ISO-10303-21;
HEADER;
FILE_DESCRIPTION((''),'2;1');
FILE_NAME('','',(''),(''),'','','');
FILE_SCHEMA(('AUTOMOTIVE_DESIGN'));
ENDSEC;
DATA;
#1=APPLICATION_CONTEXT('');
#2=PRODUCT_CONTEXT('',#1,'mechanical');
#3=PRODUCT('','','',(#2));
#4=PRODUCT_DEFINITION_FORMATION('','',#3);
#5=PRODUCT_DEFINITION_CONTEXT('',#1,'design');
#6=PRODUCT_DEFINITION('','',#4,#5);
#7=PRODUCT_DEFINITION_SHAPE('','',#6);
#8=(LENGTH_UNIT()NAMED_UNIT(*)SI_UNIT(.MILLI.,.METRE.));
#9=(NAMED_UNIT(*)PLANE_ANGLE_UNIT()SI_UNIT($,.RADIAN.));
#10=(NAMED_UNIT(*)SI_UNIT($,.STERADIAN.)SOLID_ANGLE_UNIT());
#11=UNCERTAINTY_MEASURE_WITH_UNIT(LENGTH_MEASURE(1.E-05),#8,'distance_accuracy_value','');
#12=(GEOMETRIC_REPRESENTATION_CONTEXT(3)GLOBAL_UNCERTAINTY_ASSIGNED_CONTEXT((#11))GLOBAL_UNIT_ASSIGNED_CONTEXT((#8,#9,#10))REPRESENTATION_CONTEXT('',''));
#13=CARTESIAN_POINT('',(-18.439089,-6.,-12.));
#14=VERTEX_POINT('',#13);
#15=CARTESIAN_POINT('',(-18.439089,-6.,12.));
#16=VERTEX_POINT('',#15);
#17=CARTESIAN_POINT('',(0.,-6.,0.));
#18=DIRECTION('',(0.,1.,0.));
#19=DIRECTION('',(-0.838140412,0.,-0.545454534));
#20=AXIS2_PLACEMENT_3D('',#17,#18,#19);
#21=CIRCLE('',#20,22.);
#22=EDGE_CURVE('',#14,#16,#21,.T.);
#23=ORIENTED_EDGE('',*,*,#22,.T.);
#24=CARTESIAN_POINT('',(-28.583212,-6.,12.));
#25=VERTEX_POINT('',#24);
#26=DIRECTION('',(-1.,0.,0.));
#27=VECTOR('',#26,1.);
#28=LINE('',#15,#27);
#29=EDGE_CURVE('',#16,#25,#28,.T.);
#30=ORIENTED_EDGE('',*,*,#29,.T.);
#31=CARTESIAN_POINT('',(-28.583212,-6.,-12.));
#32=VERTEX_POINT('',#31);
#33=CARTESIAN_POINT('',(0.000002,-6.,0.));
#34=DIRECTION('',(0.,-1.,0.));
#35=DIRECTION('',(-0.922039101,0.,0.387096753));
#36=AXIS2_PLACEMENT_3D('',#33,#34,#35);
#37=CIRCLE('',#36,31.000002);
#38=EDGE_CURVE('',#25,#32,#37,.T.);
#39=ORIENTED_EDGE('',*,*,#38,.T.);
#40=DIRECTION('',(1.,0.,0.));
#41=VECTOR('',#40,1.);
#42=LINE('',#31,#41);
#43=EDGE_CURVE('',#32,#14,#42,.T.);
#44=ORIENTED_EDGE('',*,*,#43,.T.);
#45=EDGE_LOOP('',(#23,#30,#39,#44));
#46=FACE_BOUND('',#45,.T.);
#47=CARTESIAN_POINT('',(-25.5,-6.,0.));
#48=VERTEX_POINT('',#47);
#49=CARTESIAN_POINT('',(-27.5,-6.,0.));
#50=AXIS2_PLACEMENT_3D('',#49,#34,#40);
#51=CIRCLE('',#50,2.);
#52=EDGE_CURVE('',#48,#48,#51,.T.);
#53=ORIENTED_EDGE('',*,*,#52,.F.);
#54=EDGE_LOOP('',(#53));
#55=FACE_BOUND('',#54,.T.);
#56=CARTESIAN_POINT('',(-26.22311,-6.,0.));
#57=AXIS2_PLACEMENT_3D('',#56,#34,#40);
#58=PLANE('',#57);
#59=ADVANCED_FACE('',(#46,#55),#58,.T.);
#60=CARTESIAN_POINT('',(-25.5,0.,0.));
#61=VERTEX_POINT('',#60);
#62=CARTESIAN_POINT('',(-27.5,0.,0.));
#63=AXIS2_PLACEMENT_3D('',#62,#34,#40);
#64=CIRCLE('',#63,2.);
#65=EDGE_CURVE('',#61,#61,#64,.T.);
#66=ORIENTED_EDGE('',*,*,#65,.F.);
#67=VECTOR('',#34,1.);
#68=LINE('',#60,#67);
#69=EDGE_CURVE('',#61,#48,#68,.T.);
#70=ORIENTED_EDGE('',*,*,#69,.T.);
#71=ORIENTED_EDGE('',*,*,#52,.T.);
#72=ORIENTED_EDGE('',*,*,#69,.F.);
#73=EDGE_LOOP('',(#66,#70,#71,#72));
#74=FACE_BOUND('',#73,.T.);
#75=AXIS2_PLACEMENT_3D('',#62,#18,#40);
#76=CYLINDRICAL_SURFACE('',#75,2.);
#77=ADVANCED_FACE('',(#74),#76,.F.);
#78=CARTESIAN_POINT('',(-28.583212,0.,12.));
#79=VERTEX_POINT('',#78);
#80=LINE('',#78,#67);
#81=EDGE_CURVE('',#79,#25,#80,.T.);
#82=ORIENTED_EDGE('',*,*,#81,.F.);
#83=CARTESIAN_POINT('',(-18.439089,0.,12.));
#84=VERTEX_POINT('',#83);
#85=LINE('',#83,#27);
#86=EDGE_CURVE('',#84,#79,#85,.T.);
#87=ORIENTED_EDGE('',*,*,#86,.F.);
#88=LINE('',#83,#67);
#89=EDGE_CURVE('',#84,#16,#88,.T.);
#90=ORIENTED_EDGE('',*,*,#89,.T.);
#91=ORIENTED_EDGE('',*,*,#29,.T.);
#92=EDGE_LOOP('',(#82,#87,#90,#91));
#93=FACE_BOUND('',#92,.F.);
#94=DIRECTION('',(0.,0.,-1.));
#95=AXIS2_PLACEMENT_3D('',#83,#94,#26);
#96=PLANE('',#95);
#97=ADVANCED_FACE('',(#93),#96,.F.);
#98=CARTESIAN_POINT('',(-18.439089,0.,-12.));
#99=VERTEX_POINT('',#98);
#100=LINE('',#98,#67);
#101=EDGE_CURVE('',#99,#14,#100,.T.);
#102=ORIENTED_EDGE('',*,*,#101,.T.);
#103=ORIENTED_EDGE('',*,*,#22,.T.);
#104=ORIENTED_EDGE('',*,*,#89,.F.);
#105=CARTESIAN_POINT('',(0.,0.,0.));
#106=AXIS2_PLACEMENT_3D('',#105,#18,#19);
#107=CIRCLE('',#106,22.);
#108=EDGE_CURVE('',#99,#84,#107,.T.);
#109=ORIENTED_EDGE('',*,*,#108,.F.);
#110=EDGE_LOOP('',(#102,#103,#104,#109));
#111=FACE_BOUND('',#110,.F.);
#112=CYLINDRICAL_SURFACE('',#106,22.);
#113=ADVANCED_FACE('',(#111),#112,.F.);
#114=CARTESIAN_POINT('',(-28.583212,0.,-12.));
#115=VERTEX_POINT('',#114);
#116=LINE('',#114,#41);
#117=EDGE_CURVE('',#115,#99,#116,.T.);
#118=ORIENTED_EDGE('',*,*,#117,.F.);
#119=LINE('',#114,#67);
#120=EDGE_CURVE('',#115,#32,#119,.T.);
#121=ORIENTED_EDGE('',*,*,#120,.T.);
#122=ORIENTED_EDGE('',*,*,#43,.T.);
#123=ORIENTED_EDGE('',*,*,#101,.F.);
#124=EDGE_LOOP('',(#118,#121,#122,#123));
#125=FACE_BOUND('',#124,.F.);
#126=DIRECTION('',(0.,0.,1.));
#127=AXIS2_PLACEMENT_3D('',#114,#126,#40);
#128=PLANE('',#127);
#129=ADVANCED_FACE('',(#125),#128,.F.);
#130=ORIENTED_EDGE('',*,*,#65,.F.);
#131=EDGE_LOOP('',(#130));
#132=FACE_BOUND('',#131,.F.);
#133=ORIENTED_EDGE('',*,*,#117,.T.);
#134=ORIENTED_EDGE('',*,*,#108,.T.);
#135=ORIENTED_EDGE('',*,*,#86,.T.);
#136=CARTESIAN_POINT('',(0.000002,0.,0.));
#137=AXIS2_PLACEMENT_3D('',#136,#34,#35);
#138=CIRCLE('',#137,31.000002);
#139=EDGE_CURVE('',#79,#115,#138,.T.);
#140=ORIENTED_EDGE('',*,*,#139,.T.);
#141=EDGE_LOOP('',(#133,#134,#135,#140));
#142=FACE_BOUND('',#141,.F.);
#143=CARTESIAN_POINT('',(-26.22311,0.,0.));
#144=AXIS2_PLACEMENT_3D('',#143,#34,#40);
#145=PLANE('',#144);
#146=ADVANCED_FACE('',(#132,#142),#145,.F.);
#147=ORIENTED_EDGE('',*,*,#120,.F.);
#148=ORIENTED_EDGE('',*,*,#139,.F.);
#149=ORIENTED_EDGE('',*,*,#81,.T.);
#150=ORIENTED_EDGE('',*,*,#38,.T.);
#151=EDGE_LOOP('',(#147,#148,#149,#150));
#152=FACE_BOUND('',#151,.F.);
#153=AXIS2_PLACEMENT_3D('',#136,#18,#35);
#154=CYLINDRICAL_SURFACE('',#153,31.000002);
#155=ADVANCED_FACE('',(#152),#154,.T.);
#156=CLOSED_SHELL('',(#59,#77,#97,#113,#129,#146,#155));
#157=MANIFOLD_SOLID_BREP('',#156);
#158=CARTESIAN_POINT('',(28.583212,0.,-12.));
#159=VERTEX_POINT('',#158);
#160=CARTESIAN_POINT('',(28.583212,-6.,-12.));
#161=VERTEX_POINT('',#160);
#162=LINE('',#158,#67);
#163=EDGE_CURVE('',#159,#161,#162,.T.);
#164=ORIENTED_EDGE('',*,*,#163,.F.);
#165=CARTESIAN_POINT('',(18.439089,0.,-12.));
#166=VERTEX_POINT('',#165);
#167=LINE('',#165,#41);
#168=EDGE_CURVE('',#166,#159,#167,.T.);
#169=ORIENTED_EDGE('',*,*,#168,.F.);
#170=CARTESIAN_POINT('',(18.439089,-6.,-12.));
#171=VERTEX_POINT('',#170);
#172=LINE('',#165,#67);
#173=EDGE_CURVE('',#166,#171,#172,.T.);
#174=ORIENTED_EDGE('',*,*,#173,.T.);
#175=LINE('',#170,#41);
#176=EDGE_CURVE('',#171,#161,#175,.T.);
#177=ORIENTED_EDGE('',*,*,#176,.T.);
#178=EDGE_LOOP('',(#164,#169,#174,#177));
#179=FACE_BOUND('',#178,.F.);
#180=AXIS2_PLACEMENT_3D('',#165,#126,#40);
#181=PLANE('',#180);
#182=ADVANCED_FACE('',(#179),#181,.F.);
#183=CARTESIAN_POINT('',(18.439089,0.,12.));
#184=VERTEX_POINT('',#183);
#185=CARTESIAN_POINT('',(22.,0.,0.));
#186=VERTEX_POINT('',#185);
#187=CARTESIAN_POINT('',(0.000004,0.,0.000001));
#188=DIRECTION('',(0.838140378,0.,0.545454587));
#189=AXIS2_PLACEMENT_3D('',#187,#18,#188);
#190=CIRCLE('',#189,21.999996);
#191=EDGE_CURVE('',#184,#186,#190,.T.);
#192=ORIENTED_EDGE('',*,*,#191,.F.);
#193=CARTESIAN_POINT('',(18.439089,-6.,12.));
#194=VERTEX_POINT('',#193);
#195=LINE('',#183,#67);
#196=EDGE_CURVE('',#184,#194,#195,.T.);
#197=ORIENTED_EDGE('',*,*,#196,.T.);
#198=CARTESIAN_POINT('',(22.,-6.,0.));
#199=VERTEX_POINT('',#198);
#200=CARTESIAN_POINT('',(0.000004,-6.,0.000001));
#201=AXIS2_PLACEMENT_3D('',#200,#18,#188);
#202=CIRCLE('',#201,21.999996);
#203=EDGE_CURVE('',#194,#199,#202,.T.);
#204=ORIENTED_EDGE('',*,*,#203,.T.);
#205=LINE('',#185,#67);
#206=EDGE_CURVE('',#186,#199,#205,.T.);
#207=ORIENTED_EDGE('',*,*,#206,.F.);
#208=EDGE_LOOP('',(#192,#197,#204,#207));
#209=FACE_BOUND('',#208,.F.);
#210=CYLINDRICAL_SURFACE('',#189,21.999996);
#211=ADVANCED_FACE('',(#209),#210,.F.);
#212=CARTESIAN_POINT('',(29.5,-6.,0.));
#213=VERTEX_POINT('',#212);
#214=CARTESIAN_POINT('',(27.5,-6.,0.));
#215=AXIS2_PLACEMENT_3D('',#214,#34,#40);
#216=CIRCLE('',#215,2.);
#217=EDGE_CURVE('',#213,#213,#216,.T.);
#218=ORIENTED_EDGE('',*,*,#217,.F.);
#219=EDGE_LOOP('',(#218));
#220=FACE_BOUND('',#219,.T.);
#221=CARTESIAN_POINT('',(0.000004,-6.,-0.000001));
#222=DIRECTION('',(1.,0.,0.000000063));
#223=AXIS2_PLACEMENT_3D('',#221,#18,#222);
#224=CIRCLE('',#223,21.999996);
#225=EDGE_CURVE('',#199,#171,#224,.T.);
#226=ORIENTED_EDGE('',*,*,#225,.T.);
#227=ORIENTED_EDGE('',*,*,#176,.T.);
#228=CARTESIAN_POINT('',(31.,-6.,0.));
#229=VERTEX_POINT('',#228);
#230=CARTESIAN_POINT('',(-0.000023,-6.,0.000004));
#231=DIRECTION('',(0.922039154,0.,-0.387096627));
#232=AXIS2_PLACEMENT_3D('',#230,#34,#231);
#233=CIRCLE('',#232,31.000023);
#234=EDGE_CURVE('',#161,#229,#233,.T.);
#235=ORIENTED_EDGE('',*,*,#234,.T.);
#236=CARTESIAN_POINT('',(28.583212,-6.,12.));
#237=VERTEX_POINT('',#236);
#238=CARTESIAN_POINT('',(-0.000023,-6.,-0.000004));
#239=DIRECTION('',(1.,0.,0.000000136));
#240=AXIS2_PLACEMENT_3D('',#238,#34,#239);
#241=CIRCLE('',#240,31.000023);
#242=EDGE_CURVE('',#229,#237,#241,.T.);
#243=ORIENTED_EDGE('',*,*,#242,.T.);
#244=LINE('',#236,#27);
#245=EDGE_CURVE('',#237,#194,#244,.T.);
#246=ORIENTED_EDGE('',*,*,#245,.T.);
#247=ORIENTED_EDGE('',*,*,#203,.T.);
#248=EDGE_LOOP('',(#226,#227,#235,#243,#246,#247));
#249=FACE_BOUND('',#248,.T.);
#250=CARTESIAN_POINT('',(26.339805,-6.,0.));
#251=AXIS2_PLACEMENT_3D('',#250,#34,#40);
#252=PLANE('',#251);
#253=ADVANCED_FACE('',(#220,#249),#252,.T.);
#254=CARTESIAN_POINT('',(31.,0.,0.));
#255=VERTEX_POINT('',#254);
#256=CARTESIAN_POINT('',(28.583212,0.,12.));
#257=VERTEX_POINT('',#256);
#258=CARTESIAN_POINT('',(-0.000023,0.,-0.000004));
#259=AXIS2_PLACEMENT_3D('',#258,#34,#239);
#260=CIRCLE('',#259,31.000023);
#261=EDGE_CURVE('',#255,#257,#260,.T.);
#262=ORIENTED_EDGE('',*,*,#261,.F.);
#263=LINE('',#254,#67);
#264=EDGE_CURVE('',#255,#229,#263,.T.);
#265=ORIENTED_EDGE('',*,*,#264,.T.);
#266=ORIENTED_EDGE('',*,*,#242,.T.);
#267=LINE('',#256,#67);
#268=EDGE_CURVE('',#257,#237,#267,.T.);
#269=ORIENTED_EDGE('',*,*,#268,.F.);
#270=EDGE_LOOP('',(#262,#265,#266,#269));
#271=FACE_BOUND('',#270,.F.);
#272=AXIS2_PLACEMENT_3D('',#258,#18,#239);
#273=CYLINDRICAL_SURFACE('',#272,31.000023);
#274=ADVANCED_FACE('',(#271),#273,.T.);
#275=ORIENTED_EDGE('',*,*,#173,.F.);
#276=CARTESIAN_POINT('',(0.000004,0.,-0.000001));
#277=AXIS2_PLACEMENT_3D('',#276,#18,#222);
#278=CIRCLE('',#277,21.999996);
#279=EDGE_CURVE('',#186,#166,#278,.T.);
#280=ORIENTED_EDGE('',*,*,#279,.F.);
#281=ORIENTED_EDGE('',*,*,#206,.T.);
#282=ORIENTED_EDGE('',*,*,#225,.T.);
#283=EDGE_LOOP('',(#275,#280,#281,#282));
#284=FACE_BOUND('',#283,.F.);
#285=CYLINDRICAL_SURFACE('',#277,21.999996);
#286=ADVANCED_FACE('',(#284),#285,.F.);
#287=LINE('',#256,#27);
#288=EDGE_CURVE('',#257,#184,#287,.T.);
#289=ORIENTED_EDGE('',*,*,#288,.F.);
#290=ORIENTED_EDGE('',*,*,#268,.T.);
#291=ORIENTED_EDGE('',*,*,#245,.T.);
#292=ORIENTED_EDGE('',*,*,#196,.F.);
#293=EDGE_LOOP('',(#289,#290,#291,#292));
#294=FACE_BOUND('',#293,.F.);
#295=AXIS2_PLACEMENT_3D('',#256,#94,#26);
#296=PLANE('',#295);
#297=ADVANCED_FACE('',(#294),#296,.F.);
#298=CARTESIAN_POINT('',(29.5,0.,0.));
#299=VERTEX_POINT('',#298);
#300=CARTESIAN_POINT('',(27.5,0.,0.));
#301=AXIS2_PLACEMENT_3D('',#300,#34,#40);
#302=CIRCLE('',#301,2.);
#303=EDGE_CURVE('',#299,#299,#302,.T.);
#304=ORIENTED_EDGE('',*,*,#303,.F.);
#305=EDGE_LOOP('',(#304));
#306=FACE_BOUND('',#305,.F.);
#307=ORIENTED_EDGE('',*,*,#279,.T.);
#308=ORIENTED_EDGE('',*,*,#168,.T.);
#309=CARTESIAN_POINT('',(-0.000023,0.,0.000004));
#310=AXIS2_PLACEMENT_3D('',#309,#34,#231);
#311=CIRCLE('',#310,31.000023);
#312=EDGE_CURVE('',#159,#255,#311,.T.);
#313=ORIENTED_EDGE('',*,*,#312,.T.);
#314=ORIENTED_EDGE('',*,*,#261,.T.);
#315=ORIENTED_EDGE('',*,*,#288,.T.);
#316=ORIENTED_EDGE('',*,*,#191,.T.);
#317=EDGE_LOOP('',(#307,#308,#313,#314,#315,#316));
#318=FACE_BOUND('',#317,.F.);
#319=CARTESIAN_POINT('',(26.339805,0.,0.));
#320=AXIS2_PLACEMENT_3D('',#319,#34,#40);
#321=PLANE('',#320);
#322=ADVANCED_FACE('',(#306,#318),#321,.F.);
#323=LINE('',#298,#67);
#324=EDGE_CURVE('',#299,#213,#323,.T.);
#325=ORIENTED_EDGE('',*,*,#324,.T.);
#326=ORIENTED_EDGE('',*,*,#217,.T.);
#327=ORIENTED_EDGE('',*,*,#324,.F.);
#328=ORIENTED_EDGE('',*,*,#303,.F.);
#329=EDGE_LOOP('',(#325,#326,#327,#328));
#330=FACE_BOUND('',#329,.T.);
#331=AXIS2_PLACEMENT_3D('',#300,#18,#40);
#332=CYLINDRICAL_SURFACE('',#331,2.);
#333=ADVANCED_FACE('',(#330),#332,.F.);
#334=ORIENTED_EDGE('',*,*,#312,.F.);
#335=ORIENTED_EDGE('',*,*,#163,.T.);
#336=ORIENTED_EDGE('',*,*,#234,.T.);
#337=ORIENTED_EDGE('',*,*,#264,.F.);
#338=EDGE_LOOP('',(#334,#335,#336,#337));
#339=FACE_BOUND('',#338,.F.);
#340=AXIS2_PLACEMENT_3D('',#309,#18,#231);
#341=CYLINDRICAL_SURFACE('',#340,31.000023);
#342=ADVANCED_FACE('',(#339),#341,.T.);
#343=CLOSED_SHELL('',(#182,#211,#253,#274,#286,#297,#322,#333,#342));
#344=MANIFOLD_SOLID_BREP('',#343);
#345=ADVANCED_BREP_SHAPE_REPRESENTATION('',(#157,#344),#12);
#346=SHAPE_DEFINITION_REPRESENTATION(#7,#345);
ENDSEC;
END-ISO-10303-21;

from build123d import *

# Parameters (mm, degrees)
F0_R     = 2
F1_DEPTH = 6


with BuildPart() as f1:
    # F0 (on Front) → F1 (new body)
    with BuildSketch(Plane.XZ):
        with BuildLine():
            Line((-21.360009, 12), (-28.583212, 12))
            ThreePointArc((-28.583212, 12), (-31, 0), (-28.583212, -12))
            Line((-28.583212, -12), (-21.360009, -12))
            ThreePointArc((-21.360009, -12), (-24.5, 0), (-21.360009, 12))
        make_face()
        with Locations((-27.5, 0)):
            Circle(F0_R, mode=Mode.SUBTRACT)
        with BuildLine():
            ThreePointArc((28.583212, -12), (30.389797, -6.120475), (31, 0))
            ThreePointArc((31, 0), (30.389797, 6.120475), (28.583212, 12))
            Line((28.583212, 12), (21.360009, 12))
            ThreePointArc((21.360009, 12), (23.702007, 6.202007), (24.5, 0))
            ThreePointArc((24.5, 0), (23.702007, -6.202007), (21.360009, -12))
            Line((21.360009, -12), (28.583212, -12))
        make_face()
        with Locations((27.5, 0)):
            Circle(F0_R, mode=Mode.SUBTRACT)
        with BuildLine():
            Line((-18.439089, 12), (-21.360009, 12))
            ThreePointArc((-21.360009, 12), (-24.5, 0), (-21.360009, -12))
            Line((-21.360009, -12), (-18.439089, -12))
            ThreePointArc((-18.439089, -12), (-22, 0), (-18.439089, 12))
        make_face()
        with BuildLine():
            ThreePointArc((24.5, 0), (23.702007, 6.202007), (21.360009, 12))
            Line((21.360009, 12), (18.439089, 12))
            ThreePointArc((18.439089, 12), (21.090993, 6.258596), (22, 0))
            ThreePointArc((22, 0), (21.090993, -6.258596), (18.439089, -12))
            Line((18.439089, -12), (21.360009, -12))
            ThreePointArc((21.360009, -12), (23.702007, -6.202007), (24.5, 0))
        make_face()
    extrude(amount=F1_DEPTH)


solid = f1.part
